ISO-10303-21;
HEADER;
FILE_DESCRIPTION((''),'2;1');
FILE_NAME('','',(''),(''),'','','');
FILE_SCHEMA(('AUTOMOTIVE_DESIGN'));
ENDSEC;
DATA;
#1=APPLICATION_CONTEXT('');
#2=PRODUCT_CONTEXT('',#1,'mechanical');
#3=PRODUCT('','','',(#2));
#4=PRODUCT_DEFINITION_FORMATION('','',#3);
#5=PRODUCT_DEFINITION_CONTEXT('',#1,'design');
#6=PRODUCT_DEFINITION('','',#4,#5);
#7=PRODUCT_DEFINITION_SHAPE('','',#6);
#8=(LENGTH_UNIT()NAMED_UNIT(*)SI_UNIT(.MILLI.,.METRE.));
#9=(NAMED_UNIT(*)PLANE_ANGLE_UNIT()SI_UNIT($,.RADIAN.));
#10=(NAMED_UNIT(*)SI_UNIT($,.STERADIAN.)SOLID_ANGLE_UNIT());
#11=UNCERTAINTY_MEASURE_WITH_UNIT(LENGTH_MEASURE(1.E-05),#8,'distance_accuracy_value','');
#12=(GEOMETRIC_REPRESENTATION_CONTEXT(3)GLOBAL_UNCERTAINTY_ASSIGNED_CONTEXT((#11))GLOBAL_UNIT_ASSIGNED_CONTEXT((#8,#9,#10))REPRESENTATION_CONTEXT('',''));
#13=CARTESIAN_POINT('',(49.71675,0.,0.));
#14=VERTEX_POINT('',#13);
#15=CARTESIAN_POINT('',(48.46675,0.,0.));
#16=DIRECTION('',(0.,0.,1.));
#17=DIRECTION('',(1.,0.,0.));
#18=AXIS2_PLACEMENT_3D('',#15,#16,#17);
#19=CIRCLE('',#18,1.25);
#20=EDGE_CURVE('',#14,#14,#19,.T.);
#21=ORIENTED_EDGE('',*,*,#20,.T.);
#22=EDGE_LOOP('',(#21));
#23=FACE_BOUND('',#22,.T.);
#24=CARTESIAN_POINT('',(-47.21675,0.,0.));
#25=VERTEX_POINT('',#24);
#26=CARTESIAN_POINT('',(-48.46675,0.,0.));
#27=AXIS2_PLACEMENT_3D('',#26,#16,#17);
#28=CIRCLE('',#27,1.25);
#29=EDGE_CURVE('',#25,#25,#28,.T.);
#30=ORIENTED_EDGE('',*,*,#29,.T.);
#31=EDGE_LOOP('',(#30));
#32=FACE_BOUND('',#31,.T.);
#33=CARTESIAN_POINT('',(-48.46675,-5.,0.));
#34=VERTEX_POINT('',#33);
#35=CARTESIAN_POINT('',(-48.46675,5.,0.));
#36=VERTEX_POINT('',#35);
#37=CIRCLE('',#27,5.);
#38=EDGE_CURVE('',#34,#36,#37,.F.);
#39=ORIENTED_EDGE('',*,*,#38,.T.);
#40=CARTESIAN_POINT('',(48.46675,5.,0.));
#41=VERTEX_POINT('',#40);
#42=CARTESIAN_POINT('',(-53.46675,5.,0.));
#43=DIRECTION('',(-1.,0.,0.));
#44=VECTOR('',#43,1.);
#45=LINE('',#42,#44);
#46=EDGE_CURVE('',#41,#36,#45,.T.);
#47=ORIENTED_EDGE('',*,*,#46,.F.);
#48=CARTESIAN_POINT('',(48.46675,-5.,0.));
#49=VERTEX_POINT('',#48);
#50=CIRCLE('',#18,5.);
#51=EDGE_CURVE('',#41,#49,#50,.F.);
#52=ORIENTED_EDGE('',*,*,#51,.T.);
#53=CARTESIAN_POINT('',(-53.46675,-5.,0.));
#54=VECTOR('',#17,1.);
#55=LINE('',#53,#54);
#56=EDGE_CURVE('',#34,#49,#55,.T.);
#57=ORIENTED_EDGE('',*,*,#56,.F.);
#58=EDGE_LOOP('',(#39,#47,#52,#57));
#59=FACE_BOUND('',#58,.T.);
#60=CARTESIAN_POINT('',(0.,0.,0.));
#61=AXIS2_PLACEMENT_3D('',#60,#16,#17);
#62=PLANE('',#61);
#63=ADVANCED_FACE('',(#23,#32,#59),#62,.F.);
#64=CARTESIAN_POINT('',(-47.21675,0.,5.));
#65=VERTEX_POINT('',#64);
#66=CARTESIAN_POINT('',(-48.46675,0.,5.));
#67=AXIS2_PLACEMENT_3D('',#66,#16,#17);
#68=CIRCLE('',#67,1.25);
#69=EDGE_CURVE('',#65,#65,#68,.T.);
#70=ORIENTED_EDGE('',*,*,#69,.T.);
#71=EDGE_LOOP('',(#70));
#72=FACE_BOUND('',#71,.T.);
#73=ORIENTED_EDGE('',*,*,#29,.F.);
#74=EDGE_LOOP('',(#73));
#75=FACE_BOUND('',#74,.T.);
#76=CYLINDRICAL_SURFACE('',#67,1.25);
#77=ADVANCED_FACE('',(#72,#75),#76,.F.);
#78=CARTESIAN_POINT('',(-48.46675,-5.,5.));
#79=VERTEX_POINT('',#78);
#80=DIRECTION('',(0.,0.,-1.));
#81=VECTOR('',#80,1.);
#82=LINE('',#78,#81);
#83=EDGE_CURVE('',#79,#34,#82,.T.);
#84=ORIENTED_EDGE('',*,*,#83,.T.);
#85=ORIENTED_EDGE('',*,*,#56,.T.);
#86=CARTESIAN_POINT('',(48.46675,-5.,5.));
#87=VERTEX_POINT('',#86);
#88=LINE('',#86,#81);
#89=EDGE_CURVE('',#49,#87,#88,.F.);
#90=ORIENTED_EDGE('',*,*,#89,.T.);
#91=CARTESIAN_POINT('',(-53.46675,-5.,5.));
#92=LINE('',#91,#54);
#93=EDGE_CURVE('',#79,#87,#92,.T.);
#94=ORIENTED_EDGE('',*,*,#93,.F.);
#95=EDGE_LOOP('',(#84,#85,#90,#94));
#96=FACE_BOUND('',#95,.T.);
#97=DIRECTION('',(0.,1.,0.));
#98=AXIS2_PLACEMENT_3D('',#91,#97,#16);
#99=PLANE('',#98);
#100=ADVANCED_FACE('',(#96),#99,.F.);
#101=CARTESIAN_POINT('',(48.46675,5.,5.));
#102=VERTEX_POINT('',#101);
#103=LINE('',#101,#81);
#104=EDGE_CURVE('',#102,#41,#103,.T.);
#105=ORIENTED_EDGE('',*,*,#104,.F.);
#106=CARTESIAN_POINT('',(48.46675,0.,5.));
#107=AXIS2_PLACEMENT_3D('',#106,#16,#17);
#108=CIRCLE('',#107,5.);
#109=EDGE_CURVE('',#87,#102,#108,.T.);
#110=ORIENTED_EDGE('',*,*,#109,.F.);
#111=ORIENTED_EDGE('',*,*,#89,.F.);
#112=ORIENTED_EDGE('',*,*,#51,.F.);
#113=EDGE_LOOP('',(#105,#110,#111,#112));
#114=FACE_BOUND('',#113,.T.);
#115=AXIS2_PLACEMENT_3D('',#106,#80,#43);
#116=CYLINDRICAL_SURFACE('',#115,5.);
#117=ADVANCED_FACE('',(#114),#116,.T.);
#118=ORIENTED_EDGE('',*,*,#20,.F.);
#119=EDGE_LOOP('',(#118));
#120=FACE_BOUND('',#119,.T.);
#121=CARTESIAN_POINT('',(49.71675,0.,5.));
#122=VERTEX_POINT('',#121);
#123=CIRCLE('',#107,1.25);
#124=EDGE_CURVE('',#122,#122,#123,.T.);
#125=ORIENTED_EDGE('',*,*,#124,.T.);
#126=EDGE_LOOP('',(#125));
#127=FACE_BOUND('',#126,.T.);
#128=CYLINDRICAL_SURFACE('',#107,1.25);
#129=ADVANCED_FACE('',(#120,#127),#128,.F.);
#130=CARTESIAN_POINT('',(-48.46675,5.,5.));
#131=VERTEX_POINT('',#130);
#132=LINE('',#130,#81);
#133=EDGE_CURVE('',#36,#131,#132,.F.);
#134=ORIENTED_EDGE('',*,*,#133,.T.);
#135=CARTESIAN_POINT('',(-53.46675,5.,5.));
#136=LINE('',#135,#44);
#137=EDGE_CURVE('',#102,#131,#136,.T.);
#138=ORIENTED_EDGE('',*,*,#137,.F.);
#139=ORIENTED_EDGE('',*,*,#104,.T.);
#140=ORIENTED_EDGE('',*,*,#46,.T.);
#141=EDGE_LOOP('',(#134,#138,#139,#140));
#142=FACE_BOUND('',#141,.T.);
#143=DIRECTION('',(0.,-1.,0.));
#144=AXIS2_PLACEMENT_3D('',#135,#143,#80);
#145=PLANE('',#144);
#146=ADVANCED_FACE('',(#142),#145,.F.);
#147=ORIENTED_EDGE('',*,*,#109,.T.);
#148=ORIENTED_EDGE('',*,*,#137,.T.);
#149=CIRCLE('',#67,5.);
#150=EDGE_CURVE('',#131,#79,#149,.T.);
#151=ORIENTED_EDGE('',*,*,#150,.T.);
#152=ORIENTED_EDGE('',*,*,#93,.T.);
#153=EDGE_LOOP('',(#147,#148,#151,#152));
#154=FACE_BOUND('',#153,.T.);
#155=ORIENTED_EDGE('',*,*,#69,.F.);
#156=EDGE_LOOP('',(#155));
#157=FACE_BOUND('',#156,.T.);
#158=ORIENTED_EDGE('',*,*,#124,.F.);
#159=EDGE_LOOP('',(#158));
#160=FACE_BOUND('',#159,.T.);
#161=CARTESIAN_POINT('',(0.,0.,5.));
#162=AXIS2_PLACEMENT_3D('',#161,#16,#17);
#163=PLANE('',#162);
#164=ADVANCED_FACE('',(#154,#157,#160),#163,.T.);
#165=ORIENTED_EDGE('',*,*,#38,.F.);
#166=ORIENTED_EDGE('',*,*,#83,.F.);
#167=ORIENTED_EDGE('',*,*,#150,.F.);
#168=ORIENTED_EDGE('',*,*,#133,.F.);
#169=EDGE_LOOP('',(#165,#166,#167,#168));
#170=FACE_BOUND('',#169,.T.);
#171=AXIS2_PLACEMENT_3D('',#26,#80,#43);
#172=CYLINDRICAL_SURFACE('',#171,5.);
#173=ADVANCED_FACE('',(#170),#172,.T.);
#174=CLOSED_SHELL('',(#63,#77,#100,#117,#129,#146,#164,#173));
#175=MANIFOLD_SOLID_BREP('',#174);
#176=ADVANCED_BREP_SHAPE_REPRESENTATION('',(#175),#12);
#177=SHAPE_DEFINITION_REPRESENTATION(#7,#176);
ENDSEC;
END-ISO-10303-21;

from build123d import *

# Parameters (mm, degrees)
SKETCH1_W                 = 106.9335
SKETCH1_H                 = 10
BOSS_EXTRUDE1_DEPTH       = 5
FILLET1_RADIUS            = 5
FILLET1_LENGTH            = 5
FILLET2_RADIUS            = 5
FILLET2_LENGTH            = 5
M3X0_5_TAPPED_HOLE1_D     = 2.5
M3X0_5_TAPPED_HOLE1_DEPTH = 29.81
M3X0_5_TAPPED_HOLE1_TIP   = 0.751075774


with BuildPart() as part:
    # Sketch1 → Boss-Extrude1 (new body)
    with BuildSketch(Plane.XY):
        Rectangle(SKETCH1_W, SKETCH1_H)
    extrude(amount=BOSS_EXTRUDE1_DEPTH)

    # Fillet1: full round fillet: the end face becomes a half cylinder, R = half its width
    fillet1_face = Plane((-53.46675, 0, 2.5), x_dir=(0, 0, 1), z_dir=(-1, 0, 0))  # on the end face: x along it, z out of the body
    fillet1_slab = fillet1_face.offset(-FILLET1_RADIUS / 2) * Box(FILLET1_LENGTH, 2 * FILLET1_RADIUS, FILLET1_RADIUS, mode=Mode.PRIVATE)  # the body's end, R deep
    fillet1_round = Plane((-48.46675, 0, 2.5), x_dir=(-1, 0, 0), z_dir=(0, 0, 1)) * Cylinder(FILLET1_RADIUS, FILLET1_LENGTH, mode=Mode.PRIVATE)  # its axis R under the face
    add(fillet1_slab - fillet1_round, mode=Mode.SUBTRACT)

    # Fillet2: full round fillet: the end face becomes a half cylinder, R = half its width
    fillet2_face = Plane((53.46675, 0, 2.5), x_dir=(0, 0, -1), z_dir=(1, 0, 0))  # on the end face: x along it, z out of the body
    fillet2_slab = fillet2_face.offset(-FILLET2_RADIUS / 2) * Box(FILLET2_LENGTH, 2 * FILLET2_RADIUS, FILLET2_RADIUS, mode=Mode.PRIVATE)  # the body's end, R deep
    fillet2_round = Plane((48.46675, 0, 2.5), x_dir=(1, 0, 0), z_dir=(0, 0, -1)) * Cylinder(FILLET2_RADIUS, FILLET2_LENGTH, mode=Mode.PRIVATE)  # its axis R under the face
    add(fillet2_slab - fillet2_round, mode=Mode.SUBTRACT)

    # M3x0.5 Tapped Hole1
    with Locations(Plane.XY.offset(5)):
        with Locations((-48.46675, 0), (48.46675, 0)):
            Hole(M3X0_5_TAPPED_HOLE1_D / 2, depth=M3X0_5_TAPPED_HOLE1_DEPTH)
            with Locations((0, 0, -(M3X0_5_TAPPED_HOLE1_DEPTH + M3X0_5_TAPPED_HOLE1_TIP / 2))):  # 118° drill point
                Cone(0, M3X0_5_TAPPED_HOLE1_D / 2, M3X0_5_TAPPED_HOLE1_TIP, mode=Mode.SUBTRACT)


solid = part.part
